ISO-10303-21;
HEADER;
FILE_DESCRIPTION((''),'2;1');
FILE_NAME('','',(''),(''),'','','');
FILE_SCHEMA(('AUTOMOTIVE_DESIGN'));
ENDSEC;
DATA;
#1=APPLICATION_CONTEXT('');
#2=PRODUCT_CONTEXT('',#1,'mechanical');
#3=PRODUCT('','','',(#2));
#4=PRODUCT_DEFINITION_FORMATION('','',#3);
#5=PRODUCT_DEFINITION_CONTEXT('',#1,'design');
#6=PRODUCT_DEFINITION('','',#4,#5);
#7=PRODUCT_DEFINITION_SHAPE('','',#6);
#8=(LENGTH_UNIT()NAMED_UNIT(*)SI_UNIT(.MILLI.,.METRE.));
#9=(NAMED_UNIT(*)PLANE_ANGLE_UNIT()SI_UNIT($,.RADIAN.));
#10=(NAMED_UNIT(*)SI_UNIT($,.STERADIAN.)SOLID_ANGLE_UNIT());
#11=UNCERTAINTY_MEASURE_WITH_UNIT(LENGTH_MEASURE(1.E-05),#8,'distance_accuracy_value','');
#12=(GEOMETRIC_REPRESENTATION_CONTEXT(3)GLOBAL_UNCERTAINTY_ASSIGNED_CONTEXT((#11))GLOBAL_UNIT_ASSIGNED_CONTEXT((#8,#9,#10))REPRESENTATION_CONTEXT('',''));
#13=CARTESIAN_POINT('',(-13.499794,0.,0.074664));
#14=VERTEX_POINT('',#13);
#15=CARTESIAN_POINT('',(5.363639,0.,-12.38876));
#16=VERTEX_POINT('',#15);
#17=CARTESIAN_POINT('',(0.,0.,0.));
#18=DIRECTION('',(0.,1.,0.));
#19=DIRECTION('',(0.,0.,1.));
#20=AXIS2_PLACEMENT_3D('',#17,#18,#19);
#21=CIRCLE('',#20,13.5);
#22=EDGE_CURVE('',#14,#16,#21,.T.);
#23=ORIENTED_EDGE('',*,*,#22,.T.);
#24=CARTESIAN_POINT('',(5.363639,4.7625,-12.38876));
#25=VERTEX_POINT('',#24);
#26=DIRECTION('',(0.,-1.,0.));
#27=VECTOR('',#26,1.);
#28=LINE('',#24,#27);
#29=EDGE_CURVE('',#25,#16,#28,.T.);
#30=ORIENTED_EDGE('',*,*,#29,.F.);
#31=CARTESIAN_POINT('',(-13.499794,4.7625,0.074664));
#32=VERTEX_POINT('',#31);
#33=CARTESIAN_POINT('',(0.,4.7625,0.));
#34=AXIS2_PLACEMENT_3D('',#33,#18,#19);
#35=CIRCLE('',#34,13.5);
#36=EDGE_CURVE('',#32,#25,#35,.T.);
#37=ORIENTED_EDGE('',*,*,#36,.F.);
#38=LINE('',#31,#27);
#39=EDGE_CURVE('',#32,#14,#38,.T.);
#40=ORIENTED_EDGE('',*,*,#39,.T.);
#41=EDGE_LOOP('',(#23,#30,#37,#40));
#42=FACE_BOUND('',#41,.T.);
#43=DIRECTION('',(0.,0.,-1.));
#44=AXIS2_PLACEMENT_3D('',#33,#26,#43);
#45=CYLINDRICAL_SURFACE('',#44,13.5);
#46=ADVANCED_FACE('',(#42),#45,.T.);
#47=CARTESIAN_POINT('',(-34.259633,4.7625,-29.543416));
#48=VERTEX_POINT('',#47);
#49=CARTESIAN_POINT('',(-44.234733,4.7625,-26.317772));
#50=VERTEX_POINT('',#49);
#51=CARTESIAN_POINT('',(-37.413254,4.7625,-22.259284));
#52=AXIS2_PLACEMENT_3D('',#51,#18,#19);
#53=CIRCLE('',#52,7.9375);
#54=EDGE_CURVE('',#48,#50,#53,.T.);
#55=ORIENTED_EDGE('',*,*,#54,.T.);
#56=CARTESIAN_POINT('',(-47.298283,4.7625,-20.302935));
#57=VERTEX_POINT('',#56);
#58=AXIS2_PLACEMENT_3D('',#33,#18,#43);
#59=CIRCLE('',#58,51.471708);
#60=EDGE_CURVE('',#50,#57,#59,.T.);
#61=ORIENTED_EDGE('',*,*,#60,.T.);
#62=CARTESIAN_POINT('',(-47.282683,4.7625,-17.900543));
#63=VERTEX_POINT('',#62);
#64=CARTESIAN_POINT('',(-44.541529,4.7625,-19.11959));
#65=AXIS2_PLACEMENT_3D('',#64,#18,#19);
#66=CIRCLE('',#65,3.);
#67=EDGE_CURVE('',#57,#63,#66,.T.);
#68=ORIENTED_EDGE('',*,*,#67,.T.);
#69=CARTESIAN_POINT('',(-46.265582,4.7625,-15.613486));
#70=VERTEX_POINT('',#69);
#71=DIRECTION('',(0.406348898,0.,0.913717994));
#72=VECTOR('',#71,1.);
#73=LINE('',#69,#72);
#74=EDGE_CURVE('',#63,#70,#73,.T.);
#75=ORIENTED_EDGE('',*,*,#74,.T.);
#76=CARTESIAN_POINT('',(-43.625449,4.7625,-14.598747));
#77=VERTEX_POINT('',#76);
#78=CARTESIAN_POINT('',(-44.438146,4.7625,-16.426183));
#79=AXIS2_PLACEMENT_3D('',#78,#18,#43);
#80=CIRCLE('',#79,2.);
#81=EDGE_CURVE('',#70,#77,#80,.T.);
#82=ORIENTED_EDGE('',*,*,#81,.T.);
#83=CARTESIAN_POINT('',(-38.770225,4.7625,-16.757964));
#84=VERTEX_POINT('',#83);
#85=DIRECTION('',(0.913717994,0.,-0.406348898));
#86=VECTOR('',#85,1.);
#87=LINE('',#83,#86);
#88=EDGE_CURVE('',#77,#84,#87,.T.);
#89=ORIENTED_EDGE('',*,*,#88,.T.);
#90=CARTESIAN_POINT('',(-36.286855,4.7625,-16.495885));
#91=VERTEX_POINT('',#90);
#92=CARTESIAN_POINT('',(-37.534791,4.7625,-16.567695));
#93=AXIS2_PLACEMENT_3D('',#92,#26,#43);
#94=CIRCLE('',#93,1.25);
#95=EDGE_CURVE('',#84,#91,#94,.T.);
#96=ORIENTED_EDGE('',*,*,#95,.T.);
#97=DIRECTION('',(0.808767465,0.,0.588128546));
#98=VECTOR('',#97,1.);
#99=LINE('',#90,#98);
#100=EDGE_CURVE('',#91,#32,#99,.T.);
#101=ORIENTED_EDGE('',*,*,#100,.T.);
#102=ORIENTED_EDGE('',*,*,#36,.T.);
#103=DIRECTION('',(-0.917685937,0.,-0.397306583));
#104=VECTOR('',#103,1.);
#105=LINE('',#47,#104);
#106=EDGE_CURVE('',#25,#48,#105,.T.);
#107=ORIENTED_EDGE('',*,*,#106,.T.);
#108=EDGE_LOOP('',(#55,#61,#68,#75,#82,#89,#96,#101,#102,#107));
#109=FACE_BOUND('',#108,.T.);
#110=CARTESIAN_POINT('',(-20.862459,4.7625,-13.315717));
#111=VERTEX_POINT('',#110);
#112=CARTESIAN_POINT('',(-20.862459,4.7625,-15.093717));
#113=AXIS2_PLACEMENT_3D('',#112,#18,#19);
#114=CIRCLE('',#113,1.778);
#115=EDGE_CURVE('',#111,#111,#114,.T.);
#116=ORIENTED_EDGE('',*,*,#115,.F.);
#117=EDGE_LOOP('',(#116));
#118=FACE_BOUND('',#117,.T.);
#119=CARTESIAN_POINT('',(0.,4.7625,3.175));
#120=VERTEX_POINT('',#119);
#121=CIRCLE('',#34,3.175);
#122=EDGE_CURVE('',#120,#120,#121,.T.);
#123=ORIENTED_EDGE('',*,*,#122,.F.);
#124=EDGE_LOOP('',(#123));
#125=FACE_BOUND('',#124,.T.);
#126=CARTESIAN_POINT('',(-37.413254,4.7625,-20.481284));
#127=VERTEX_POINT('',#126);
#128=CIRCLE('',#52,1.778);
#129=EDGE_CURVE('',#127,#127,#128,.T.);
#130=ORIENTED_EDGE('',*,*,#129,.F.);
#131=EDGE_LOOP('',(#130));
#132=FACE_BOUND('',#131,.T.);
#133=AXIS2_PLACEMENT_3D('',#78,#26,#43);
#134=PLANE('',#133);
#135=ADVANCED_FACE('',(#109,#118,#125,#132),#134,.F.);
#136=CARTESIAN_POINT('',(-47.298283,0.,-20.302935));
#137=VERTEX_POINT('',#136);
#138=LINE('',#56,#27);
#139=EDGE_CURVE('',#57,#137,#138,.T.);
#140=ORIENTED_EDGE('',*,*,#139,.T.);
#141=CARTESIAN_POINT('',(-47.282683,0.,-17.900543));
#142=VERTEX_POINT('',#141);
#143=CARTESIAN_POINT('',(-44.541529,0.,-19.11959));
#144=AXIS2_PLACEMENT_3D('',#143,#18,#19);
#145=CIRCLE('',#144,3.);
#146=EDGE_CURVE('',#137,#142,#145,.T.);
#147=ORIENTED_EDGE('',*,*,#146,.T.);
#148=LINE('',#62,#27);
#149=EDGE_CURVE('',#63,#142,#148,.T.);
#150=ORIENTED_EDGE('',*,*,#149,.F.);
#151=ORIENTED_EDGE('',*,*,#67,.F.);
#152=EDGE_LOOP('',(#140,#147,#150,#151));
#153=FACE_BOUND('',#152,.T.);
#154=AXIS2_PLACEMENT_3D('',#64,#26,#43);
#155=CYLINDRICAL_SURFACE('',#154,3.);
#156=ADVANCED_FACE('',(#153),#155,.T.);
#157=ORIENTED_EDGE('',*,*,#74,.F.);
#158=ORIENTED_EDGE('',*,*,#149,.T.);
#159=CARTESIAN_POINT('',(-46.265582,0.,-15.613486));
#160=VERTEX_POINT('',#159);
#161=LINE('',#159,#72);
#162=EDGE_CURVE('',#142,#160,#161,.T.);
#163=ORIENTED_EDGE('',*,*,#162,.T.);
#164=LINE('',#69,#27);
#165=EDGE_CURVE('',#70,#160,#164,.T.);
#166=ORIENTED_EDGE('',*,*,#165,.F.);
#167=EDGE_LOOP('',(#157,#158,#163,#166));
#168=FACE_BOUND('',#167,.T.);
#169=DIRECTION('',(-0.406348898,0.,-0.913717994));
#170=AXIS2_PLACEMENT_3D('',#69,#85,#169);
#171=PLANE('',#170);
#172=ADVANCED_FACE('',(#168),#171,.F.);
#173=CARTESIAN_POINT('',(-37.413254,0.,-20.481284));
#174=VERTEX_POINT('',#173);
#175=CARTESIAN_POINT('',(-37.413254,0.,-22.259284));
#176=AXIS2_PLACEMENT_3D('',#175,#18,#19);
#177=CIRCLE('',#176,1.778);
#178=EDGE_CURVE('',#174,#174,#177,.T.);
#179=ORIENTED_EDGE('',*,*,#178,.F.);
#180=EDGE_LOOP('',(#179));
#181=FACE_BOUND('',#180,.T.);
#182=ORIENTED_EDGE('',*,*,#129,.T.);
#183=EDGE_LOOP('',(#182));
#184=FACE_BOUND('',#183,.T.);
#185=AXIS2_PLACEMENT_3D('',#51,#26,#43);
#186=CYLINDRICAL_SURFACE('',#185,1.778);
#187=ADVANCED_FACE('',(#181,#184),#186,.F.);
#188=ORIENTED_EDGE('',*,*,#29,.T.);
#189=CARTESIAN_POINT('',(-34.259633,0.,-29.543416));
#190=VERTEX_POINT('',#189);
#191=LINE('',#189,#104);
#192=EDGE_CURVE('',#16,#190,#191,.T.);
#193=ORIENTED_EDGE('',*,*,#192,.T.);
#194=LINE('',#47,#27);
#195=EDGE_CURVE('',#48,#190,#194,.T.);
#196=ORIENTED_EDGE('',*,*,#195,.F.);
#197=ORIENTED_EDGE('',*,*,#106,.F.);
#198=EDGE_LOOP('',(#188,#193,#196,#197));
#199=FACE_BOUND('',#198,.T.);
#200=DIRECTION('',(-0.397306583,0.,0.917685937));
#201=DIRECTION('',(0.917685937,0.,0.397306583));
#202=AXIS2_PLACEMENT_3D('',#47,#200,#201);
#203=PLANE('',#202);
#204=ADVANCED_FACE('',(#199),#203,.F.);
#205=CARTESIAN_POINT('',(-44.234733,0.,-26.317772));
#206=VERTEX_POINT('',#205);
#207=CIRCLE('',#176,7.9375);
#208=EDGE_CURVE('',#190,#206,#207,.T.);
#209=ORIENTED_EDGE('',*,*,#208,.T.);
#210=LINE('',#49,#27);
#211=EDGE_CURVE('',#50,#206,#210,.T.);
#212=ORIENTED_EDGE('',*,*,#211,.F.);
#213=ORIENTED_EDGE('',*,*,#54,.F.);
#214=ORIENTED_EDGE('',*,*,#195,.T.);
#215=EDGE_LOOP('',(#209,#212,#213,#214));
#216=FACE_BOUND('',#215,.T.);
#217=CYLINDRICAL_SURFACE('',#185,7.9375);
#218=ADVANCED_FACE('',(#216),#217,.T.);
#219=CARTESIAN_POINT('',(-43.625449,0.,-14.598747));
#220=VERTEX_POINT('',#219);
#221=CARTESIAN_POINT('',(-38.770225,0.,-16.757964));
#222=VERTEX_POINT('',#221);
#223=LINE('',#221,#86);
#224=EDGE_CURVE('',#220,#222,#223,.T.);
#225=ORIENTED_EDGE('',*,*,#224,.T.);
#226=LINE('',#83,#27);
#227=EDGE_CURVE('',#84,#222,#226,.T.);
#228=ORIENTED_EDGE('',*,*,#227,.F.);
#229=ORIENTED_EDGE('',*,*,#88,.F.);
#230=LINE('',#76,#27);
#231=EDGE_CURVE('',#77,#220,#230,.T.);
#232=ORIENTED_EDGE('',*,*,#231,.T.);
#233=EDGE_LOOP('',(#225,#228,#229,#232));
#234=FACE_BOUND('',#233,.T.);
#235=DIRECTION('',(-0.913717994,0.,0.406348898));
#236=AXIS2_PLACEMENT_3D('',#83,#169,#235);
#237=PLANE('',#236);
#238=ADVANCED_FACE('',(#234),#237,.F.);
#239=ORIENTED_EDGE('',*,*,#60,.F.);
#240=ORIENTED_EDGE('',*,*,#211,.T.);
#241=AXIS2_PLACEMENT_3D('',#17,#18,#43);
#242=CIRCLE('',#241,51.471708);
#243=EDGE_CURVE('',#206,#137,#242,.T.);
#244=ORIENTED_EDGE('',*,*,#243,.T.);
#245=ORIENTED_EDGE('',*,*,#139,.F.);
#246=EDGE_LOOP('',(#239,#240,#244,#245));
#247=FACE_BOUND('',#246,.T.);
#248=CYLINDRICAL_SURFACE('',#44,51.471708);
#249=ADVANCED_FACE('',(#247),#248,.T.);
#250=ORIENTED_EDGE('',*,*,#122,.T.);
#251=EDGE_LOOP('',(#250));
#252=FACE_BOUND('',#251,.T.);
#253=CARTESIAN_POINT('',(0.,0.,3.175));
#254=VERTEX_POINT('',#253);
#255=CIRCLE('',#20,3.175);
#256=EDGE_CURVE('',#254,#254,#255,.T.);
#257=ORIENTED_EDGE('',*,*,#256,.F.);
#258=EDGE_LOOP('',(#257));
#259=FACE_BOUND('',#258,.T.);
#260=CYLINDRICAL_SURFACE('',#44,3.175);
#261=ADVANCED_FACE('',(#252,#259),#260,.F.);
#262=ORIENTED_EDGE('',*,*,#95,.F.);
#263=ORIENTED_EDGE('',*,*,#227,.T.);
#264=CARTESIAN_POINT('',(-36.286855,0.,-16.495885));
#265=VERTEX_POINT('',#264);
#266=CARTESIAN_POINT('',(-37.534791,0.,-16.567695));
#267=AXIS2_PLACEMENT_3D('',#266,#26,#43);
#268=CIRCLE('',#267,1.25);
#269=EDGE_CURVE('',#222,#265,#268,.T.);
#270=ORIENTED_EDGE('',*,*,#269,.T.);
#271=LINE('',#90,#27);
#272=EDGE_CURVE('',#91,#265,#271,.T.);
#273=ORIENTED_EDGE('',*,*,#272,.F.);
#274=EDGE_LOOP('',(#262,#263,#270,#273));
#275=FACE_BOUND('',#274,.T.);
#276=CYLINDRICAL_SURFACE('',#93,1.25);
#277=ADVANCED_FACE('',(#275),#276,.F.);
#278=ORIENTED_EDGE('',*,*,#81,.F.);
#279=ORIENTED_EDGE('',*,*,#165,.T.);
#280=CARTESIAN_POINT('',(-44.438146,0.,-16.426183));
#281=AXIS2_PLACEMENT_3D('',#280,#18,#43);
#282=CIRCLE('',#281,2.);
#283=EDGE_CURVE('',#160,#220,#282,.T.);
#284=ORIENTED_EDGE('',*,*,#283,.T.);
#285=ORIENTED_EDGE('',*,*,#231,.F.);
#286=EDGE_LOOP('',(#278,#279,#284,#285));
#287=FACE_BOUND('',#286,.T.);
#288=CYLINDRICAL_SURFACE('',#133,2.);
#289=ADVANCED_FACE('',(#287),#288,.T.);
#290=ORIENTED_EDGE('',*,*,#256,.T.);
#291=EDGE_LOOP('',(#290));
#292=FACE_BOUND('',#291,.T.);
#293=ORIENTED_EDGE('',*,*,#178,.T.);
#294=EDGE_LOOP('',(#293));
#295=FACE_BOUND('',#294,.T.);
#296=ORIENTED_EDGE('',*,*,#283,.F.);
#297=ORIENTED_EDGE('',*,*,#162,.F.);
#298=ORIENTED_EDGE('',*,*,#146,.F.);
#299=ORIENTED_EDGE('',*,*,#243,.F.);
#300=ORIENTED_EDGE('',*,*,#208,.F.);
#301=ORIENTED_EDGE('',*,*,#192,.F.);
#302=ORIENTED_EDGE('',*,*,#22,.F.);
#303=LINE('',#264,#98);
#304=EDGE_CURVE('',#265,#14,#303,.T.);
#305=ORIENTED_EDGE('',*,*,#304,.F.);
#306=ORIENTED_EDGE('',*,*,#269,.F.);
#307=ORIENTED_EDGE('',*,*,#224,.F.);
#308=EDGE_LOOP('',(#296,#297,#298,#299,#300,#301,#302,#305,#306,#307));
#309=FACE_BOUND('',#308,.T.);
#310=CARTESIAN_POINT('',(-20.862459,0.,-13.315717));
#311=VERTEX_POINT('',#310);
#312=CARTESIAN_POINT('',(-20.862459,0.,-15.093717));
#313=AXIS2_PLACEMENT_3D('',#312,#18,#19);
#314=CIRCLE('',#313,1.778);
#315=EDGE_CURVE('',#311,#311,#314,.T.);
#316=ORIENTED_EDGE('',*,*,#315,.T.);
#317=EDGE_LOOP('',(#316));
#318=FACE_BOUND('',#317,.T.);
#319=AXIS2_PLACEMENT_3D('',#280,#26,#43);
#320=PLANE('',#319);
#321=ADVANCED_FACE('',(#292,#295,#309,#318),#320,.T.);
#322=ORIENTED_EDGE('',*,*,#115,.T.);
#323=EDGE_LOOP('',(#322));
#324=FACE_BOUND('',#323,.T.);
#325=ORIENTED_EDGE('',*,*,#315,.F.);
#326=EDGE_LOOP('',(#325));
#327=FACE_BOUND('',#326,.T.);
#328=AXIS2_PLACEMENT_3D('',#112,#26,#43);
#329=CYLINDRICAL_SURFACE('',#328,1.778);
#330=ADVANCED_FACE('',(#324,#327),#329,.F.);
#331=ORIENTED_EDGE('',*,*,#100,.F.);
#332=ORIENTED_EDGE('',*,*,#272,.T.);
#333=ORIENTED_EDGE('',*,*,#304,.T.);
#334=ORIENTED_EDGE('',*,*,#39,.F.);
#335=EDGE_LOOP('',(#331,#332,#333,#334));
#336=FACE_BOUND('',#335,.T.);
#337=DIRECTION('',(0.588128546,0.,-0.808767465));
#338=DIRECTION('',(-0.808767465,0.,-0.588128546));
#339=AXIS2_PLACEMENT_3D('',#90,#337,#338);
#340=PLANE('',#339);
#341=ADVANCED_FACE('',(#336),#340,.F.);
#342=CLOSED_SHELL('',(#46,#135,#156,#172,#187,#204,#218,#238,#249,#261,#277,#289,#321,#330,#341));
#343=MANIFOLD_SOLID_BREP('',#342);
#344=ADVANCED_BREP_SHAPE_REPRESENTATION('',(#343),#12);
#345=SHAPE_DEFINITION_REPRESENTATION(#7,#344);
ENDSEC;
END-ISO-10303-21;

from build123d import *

# Parameters (mm, degrees)
SKETCH1_R           = 1.778
SKETCH1_R_2         = 3.175
BOSS_EXTRUDE1_DEPTH = 4.7625


with BuildPart() as part:
    # Sketch1 → Boss-Extrude1 (new body)
    with BuildSketch(Plane(origin=(0, 0, 0), x_dir=(1, 0, 0), z_dir=(0, 1, 0))):
        with BuildLine():
            Line((-38.770225031, 16.757963615), (-43.625448569, 14.598747375))
            ThreePointArc((-43.625448569, 14.598747375), (-45.155674622, 14.559326862), (-46.265582353, 15.613485569))
            Line((-46.265582353, 15.613485569), (-47.282683039, 17.900542834))
            ThreePointArc((-47.282683039, 17.900542834), (-47.541465806, 19.100109045), (-47.298283286, 20.302934833))
            ThreePointArc((-47.298283286, 20.302934833), (-45.865213893, 23.360627542), (-44.234733225, 26.317772344))
            ThreePointArc((-44.234733225, 26.317772344), (-39.855484626, 29.811728531), (-34.259632886, 29.543416329))
            Line((-34.259632886, 29.543416329), (5.363638877, 12.388760148))
            ThreePointArc((5.363638877, 12.388760148), (7.44200849, -11.263503435), (-13.499793526, -0.074664302))
            Line((-13.499793526, -0.074664302), (-36.286855081, 16.495885282))
            ThreePointArc((-36.286855081, 16.495885282), (-37.403602541, 17.810792136), (-38.770225031, 16.757963615))
        make_face()
        with Locations((-20.862458922, 15.093717491)):
            Circle(SKETCH1_R, mode=Mode.SUBTRACT)
        Circle(SKETCH1_R_2, mode=Mode.SUBTRACT)
        with Locations((-37.413253893, 22.259284205)):
            Circle(SKETCH1_R, mode=Mode.SUBTRACT)
    extrude(amount=BOSS_EXTRUDE1_DEPTH)


solid = part.part
